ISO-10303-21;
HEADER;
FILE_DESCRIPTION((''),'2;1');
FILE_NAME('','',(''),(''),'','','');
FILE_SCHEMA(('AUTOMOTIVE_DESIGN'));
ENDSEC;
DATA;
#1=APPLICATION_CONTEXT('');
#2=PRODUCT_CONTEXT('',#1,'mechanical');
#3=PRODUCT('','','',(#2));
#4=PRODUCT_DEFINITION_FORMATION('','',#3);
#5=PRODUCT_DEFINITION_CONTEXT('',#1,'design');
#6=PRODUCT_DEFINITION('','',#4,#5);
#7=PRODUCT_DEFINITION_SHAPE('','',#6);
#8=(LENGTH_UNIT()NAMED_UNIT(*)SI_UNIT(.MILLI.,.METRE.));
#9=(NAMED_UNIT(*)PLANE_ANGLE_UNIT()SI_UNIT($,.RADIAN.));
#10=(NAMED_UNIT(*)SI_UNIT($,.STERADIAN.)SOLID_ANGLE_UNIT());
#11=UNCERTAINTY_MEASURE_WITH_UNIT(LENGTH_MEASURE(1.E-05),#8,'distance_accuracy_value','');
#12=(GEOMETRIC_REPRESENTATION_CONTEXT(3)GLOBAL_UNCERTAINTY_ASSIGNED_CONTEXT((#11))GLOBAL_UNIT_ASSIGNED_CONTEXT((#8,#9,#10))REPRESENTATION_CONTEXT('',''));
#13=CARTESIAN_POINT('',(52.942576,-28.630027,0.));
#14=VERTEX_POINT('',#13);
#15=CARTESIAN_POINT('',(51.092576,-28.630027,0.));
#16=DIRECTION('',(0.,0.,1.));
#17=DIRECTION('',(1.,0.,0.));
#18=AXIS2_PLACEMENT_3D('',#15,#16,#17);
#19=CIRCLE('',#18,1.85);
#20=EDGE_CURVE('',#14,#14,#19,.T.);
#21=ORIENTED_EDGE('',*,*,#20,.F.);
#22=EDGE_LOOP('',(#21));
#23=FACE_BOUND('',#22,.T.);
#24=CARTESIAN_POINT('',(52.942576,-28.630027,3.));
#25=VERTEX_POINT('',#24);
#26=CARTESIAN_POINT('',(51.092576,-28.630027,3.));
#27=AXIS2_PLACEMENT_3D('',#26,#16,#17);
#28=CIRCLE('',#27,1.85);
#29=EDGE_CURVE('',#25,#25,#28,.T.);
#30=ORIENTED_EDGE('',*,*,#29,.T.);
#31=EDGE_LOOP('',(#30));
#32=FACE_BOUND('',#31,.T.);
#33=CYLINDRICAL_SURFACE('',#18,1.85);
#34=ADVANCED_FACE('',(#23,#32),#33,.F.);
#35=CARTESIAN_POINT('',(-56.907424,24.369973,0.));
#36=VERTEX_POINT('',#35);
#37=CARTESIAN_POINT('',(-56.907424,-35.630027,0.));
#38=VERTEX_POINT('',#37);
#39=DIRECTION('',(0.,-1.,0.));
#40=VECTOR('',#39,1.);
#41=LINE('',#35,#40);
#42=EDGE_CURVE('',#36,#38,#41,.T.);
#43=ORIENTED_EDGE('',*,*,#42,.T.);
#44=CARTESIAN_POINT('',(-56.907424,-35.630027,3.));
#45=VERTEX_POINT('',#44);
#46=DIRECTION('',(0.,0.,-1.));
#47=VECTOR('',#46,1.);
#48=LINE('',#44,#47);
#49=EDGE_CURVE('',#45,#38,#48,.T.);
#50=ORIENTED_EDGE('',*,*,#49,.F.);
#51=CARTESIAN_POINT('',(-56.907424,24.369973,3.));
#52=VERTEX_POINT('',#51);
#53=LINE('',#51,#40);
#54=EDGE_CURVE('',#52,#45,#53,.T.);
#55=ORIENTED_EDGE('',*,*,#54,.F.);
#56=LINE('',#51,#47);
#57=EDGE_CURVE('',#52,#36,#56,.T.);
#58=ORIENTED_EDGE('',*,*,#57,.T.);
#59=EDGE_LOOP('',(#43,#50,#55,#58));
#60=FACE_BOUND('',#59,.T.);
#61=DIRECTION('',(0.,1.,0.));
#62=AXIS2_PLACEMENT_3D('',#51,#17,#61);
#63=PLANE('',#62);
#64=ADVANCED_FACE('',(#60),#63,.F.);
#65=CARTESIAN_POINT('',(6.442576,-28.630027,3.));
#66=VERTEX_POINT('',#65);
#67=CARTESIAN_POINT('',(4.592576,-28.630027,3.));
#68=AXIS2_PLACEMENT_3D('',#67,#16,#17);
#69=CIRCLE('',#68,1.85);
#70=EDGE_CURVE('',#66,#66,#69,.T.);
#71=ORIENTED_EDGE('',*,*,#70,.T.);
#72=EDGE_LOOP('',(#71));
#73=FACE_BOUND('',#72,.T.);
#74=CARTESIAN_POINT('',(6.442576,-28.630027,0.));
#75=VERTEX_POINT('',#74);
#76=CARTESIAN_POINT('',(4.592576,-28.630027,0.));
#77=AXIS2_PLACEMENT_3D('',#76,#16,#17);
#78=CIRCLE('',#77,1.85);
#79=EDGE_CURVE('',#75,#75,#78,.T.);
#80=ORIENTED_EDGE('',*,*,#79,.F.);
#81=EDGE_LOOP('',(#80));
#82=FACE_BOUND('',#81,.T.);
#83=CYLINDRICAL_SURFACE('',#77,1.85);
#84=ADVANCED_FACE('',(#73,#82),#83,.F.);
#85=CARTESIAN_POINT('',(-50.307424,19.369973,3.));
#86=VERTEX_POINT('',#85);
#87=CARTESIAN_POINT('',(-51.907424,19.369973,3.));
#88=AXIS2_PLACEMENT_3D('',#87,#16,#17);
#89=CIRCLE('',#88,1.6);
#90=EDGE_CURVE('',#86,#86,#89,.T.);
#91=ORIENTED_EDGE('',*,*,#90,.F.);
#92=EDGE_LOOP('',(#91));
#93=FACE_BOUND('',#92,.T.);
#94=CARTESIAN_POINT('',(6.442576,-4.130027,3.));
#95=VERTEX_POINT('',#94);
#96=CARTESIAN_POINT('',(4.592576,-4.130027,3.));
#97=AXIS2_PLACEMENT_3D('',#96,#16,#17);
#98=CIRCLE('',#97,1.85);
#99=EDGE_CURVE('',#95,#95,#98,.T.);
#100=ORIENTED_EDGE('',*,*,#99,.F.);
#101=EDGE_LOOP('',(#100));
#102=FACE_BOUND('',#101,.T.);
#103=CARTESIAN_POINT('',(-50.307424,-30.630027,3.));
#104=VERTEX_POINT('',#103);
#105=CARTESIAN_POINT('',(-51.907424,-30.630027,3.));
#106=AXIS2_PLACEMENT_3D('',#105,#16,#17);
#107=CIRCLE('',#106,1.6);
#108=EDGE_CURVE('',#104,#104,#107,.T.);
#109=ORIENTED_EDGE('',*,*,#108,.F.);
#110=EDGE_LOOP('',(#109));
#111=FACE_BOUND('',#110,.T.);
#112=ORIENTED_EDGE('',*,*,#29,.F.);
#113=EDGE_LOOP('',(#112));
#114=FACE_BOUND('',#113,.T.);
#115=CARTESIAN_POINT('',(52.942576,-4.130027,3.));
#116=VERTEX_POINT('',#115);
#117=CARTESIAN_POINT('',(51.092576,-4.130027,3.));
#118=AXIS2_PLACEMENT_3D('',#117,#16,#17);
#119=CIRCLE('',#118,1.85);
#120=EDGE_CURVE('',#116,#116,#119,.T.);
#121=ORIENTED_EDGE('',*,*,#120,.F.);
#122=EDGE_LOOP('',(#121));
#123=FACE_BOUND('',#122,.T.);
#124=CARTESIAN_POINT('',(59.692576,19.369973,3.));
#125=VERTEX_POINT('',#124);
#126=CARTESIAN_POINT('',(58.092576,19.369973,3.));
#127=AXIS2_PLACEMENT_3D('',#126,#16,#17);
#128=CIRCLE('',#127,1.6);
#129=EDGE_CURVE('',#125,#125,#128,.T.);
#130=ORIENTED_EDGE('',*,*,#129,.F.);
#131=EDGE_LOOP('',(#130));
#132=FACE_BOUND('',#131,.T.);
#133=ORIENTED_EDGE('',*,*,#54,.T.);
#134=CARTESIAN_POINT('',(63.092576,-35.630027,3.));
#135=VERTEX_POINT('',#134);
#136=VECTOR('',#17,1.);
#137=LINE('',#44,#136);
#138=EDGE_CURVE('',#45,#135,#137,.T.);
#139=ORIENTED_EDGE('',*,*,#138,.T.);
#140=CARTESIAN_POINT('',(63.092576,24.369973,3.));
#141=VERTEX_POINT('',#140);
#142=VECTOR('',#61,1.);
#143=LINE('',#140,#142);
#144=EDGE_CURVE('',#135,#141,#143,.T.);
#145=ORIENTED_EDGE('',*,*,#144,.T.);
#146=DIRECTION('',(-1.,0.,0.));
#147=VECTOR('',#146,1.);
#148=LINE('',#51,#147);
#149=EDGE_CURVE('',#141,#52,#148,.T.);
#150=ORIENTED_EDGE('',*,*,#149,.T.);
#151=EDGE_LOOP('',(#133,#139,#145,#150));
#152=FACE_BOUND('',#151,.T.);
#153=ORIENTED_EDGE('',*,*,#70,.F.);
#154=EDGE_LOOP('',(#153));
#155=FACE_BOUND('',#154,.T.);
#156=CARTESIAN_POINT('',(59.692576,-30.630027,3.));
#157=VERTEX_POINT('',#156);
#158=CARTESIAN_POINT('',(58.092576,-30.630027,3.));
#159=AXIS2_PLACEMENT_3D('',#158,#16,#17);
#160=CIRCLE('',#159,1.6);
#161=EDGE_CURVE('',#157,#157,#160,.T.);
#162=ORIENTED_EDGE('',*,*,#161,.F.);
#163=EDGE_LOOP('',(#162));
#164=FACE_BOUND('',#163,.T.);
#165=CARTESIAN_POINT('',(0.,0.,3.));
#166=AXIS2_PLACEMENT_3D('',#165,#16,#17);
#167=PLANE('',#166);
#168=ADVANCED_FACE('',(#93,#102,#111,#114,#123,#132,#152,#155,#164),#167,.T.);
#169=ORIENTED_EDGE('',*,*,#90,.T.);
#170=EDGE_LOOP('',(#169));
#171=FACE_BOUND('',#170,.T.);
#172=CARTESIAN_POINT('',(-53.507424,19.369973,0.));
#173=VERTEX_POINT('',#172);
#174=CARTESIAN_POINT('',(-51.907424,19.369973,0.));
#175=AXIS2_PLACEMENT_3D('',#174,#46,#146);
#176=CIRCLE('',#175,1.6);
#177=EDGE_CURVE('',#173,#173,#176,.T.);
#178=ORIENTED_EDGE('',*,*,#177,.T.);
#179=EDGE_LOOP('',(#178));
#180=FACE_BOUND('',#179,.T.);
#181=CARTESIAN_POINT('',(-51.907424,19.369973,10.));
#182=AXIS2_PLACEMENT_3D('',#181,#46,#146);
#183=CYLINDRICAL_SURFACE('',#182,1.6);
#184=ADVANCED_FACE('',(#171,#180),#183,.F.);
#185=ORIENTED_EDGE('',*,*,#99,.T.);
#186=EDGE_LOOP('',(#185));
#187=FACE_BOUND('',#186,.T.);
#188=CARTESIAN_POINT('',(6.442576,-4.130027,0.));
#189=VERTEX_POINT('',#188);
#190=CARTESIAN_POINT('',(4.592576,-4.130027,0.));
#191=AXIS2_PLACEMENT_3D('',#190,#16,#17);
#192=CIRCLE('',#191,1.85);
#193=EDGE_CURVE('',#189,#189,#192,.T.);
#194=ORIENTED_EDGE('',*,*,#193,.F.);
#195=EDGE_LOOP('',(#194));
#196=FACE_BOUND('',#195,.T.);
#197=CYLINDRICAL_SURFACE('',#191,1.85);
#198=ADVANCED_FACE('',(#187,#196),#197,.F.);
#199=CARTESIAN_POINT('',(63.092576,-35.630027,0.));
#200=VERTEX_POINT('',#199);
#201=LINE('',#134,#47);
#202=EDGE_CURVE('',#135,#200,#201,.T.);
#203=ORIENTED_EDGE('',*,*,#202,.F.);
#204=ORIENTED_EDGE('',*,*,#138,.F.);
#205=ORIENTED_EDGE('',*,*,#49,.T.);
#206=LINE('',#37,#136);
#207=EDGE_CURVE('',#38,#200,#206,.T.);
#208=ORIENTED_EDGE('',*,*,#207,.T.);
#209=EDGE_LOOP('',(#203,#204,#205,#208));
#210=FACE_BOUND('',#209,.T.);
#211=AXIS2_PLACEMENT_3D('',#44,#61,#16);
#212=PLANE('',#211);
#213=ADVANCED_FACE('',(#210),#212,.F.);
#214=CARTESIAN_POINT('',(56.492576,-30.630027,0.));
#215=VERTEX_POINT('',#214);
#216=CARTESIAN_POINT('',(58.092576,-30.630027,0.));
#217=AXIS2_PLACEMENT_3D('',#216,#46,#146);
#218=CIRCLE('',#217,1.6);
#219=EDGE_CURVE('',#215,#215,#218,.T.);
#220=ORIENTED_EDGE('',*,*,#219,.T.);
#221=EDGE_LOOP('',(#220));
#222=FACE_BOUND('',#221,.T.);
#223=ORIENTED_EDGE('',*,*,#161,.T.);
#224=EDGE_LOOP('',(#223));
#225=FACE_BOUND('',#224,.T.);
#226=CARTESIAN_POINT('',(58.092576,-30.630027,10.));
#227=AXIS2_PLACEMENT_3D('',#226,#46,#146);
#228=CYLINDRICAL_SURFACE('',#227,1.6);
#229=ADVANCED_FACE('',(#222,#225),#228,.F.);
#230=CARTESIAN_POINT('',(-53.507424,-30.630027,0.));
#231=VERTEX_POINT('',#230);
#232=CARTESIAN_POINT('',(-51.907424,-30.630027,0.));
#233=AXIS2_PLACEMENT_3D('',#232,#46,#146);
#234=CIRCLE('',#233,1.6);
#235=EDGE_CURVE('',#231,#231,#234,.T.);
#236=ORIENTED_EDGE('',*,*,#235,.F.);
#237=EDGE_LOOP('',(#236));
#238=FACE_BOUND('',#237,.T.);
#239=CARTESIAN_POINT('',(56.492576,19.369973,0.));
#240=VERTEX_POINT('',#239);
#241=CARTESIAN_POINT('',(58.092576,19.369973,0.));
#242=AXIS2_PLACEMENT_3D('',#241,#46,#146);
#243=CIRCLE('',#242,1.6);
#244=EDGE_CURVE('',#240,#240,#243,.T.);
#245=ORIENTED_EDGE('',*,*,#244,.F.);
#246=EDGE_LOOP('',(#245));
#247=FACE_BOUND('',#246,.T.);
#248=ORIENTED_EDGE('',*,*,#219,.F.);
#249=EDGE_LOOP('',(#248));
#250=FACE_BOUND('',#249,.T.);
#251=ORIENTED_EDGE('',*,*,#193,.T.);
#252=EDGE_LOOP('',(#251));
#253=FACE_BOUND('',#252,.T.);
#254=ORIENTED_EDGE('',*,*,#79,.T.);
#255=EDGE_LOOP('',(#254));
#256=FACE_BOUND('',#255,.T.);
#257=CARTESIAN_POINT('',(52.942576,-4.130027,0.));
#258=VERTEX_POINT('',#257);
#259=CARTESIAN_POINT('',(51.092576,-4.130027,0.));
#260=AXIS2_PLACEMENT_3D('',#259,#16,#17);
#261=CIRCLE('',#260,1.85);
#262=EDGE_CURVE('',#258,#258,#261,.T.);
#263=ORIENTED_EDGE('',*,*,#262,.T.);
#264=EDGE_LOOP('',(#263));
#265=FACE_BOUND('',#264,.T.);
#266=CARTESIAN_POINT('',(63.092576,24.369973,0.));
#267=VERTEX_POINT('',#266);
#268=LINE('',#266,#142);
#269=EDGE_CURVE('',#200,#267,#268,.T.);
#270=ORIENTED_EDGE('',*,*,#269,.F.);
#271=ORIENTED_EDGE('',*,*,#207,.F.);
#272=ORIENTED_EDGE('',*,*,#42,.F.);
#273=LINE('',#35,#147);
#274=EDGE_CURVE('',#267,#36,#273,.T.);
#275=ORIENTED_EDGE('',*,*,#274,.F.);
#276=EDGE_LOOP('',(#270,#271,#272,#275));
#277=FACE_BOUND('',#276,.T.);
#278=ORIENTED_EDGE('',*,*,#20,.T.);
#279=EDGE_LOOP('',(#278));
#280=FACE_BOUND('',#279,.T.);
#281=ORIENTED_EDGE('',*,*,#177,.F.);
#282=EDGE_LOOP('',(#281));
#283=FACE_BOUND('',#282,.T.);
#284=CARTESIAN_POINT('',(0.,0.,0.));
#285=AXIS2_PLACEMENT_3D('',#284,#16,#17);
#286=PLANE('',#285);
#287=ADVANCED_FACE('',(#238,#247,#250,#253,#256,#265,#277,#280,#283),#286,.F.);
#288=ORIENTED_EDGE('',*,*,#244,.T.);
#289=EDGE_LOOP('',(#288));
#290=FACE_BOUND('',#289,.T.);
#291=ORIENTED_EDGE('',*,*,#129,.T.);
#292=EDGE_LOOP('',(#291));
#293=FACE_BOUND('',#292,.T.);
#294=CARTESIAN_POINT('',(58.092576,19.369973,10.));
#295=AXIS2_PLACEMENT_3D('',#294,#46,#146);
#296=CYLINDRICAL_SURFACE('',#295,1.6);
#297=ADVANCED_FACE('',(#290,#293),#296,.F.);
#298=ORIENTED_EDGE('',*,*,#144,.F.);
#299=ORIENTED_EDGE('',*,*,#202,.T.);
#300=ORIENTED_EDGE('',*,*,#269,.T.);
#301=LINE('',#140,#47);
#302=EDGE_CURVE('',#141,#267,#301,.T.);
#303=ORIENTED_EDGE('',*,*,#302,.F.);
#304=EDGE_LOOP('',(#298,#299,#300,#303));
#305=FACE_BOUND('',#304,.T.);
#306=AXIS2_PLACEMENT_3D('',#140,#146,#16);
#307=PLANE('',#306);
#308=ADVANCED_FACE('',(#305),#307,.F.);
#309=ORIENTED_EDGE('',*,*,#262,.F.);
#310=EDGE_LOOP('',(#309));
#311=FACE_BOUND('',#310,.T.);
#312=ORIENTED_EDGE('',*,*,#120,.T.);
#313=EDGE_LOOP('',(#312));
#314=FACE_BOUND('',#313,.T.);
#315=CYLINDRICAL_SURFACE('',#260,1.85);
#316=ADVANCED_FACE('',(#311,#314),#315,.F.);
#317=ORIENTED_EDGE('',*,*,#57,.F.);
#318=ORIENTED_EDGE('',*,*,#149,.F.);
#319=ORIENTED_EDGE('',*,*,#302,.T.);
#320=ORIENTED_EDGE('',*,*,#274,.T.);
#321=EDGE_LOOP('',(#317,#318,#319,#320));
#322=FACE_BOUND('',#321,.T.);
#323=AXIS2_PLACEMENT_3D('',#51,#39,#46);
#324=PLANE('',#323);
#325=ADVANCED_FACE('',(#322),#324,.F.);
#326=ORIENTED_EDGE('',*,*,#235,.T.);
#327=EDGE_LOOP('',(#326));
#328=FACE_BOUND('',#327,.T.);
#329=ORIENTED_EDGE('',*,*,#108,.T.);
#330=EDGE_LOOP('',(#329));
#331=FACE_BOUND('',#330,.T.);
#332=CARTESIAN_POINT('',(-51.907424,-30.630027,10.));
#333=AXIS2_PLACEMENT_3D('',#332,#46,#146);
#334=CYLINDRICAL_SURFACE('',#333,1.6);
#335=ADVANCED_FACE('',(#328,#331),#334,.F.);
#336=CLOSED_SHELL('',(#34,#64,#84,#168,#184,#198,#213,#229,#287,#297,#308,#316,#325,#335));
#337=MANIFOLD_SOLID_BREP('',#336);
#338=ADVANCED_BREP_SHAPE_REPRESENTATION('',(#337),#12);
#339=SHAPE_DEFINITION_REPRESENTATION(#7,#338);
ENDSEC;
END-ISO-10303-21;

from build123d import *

# Parameters (mm, degrees)
SKETCH1_W           = 120
SKETCH1_H           = 60
BOSS_EXTRUDE1_DEPTH = 3
SKETCH3_R           = 1.85
CUT_EXTRUDE1_DEPTH  = 73.520148402
SKETCH4_R           = 1.5
CUT_EXTRUDE2_DEPTH  = 73.520148402
SKETCH5_R           = 1.6
CUT_EXTRUDE3_DEPTH  = 10


with BuildPart() as part:
    # Sketch1 → Boss-Extrude1 (new body)
    with BuildSketch(Plane.XY):
        with Locations((3.092575742, -5.63002681)):
            Rectangle(SKETCH1_W, SKETCH1_H)
    extrude(amount=BOSS_EXTRUDE1_DEPTH)

    # Sketch3 → Cut-Extrude1 (cut, through all)
    with BuildSketch(Plane.XY.offset(3)):
        with Locations((4.592575742, -4.13002681)):
            Circle(SKETCH3_R)
        with Locations((51.092575742, -4.13002681)):
            Circle(SKETCH3_R)
        with Locations((51.092575742, -28.63002681)):
            Circle(SKETCH3_R)
        with Locations((4.592575742, -28.63002681)):
            Circle(SKETCH3_R)
    extrude(amount=-CUT_EXTRUDE1_DEPTH, mode=Mode.SUBTRACT)

    # Sketch4 → Cut-Extrude2 (cut, through all)
    with BuildSketch(Plane.XY.offset(3)):
        with Locations((-51.907424258, 19.36997319)):
            Circle(SKETCH4_R)
        with Locations((58.092575742, 19.36997319)):
            Circle(SKETCH4_R)
        with Locations((58.092575742, -30.63002681)):
            Circle(SKETCH4_R)
        with Locations((-51.907424258, -30.63002681)):
            Circle(SKETCH4_R)
    extrude(amount=-CUT_EXTRUDE2_DEPTH, mode=Mode.SUBTRACT)

    # Sketch5 → Cut-Extrude3 (cut)
    with BuildSketch(Plane(origin=(0, 0, 0), x_dir=(-1, 0, 0), z_dir=(0, 0, -1))):
        with Locations((-58.092575742, 19.36997319)):
            Circle(SKETCH5_R)
        with Locations((-58.092575742, -30.63002681)):
            Circle(SKETCH5_R)
        with Locations((51.907424258, -30.63002681)):
            Circle(SKETCH5_R)
        with Locations((51.907424258, 19.36997319)):
            Circle(SKETCH5_R)
    extrude(amount=-CUT_EXTRUDE3_DEPTH, mode=Mode.SUBTRACT)


solid = part.part
